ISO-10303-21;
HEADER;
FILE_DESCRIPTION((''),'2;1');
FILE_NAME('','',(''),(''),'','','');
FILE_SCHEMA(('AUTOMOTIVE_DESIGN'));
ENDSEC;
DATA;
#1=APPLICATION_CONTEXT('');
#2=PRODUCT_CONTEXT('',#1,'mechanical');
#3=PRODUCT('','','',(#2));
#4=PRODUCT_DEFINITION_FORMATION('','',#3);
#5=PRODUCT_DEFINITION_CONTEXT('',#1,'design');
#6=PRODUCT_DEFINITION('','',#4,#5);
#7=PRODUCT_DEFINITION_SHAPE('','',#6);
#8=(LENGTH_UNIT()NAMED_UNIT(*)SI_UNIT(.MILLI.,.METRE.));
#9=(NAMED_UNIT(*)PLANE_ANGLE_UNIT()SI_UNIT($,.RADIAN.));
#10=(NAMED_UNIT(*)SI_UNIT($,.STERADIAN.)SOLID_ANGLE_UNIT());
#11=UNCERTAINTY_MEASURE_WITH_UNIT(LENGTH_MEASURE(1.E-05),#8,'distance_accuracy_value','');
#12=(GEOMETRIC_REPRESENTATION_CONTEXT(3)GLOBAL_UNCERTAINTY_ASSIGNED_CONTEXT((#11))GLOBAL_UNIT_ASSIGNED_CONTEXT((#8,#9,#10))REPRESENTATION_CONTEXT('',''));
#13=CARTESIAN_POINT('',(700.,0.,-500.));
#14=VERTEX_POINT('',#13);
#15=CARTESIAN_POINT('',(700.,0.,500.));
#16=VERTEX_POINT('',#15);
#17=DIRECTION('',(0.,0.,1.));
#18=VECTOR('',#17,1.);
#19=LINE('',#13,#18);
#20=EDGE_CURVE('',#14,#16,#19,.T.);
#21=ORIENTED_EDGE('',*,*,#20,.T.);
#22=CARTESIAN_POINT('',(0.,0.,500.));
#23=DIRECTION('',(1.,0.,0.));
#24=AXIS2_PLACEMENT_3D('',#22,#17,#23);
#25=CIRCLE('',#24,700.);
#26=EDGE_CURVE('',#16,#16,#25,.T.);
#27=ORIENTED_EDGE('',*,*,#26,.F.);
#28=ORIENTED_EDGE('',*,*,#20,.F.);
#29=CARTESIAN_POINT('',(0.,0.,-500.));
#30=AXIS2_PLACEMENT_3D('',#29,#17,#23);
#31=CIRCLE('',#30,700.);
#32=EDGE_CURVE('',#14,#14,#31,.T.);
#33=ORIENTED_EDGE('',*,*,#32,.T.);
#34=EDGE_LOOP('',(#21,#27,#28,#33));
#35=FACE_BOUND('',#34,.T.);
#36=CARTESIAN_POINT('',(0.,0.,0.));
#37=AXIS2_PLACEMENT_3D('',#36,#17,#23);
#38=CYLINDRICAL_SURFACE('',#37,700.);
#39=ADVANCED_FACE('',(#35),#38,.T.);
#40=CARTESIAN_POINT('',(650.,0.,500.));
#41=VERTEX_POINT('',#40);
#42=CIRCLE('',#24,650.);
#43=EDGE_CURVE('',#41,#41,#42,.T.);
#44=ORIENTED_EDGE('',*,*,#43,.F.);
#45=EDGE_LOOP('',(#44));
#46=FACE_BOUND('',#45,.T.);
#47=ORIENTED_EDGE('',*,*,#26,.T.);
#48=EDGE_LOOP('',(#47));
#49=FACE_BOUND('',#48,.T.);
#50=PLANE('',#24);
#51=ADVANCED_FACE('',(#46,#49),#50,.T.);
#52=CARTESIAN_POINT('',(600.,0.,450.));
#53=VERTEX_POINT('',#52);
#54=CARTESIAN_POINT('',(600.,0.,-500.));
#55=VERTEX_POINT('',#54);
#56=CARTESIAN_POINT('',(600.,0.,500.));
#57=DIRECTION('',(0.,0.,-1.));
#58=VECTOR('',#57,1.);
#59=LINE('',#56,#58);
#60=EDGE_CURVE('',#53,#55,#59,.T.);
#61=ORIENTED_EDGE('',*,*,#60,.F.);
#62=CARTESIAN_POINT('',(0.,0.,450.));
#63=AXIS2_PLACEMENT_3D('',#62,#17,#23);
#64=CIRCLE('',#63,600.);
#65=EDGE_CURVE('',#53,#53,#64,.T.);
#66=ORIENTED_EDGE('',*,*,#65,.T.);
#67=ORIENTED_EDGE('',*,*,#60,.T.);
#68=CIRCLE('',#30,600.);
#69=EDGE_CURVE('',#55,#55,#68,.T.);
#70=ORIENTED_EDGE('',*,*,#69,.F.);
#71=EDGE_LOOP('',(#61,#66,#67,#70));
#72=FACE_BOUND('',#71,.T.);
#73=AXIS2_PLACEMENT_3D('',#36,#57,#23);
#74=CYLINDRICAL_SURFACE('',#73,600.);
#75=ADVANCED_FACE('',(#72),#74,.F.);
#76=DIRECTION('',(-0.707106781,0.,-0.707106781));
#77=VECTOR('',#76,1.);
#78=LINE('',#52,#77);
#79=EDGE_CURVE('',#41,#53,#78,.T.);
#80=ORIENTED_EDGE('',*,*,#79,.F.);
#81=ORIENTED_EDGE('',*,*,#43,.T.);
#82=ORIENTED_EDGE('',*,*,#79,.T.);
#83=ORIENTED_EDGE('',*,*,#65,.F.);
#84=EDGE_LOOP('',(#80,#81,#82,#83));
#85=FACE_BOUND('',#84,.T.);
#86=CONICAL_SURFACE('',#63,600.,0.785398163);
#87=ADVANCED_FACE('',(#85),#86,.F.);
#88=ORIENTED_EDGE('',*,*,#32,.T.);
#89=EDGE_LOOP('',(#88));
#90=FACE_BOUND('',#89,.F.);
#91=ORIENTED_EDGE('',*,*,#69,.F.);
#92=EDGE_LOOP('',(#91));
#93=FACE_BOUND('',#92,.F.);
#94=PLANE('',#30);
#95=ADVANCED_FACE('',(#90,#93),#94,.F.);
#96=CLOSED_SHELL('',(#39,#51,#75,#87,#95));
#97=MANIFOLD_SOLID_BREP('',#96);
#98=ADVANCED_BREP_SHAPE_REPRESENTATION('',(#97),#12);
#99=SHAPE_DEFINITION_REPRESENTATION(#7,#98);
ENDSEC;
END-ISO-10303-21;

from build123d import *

# Parameters (mm, degrees)
F0_R     = 700
F0_R_2   = 600
F1_DEPTH = 500
F2_SIZE  = 50


with BuildPart() as f1:
    # F0 (on Top) → F1 (new body, symmetric)
    with BuildSketch(Plane.XY):
        Circle(F0_R)
        Circle(F0_R_2, mode=Mode.SUBTRACT)
    extrude(amount=F1_DEPTH, both=True)

    # F2
    f2_edges = [f1.edges().sort_by_distance(p)[0] for p in [
        (-600, 0, 500),
    ]]
    chamfer(f2_edges, length=F2_SIZE)


solid = f1.part
